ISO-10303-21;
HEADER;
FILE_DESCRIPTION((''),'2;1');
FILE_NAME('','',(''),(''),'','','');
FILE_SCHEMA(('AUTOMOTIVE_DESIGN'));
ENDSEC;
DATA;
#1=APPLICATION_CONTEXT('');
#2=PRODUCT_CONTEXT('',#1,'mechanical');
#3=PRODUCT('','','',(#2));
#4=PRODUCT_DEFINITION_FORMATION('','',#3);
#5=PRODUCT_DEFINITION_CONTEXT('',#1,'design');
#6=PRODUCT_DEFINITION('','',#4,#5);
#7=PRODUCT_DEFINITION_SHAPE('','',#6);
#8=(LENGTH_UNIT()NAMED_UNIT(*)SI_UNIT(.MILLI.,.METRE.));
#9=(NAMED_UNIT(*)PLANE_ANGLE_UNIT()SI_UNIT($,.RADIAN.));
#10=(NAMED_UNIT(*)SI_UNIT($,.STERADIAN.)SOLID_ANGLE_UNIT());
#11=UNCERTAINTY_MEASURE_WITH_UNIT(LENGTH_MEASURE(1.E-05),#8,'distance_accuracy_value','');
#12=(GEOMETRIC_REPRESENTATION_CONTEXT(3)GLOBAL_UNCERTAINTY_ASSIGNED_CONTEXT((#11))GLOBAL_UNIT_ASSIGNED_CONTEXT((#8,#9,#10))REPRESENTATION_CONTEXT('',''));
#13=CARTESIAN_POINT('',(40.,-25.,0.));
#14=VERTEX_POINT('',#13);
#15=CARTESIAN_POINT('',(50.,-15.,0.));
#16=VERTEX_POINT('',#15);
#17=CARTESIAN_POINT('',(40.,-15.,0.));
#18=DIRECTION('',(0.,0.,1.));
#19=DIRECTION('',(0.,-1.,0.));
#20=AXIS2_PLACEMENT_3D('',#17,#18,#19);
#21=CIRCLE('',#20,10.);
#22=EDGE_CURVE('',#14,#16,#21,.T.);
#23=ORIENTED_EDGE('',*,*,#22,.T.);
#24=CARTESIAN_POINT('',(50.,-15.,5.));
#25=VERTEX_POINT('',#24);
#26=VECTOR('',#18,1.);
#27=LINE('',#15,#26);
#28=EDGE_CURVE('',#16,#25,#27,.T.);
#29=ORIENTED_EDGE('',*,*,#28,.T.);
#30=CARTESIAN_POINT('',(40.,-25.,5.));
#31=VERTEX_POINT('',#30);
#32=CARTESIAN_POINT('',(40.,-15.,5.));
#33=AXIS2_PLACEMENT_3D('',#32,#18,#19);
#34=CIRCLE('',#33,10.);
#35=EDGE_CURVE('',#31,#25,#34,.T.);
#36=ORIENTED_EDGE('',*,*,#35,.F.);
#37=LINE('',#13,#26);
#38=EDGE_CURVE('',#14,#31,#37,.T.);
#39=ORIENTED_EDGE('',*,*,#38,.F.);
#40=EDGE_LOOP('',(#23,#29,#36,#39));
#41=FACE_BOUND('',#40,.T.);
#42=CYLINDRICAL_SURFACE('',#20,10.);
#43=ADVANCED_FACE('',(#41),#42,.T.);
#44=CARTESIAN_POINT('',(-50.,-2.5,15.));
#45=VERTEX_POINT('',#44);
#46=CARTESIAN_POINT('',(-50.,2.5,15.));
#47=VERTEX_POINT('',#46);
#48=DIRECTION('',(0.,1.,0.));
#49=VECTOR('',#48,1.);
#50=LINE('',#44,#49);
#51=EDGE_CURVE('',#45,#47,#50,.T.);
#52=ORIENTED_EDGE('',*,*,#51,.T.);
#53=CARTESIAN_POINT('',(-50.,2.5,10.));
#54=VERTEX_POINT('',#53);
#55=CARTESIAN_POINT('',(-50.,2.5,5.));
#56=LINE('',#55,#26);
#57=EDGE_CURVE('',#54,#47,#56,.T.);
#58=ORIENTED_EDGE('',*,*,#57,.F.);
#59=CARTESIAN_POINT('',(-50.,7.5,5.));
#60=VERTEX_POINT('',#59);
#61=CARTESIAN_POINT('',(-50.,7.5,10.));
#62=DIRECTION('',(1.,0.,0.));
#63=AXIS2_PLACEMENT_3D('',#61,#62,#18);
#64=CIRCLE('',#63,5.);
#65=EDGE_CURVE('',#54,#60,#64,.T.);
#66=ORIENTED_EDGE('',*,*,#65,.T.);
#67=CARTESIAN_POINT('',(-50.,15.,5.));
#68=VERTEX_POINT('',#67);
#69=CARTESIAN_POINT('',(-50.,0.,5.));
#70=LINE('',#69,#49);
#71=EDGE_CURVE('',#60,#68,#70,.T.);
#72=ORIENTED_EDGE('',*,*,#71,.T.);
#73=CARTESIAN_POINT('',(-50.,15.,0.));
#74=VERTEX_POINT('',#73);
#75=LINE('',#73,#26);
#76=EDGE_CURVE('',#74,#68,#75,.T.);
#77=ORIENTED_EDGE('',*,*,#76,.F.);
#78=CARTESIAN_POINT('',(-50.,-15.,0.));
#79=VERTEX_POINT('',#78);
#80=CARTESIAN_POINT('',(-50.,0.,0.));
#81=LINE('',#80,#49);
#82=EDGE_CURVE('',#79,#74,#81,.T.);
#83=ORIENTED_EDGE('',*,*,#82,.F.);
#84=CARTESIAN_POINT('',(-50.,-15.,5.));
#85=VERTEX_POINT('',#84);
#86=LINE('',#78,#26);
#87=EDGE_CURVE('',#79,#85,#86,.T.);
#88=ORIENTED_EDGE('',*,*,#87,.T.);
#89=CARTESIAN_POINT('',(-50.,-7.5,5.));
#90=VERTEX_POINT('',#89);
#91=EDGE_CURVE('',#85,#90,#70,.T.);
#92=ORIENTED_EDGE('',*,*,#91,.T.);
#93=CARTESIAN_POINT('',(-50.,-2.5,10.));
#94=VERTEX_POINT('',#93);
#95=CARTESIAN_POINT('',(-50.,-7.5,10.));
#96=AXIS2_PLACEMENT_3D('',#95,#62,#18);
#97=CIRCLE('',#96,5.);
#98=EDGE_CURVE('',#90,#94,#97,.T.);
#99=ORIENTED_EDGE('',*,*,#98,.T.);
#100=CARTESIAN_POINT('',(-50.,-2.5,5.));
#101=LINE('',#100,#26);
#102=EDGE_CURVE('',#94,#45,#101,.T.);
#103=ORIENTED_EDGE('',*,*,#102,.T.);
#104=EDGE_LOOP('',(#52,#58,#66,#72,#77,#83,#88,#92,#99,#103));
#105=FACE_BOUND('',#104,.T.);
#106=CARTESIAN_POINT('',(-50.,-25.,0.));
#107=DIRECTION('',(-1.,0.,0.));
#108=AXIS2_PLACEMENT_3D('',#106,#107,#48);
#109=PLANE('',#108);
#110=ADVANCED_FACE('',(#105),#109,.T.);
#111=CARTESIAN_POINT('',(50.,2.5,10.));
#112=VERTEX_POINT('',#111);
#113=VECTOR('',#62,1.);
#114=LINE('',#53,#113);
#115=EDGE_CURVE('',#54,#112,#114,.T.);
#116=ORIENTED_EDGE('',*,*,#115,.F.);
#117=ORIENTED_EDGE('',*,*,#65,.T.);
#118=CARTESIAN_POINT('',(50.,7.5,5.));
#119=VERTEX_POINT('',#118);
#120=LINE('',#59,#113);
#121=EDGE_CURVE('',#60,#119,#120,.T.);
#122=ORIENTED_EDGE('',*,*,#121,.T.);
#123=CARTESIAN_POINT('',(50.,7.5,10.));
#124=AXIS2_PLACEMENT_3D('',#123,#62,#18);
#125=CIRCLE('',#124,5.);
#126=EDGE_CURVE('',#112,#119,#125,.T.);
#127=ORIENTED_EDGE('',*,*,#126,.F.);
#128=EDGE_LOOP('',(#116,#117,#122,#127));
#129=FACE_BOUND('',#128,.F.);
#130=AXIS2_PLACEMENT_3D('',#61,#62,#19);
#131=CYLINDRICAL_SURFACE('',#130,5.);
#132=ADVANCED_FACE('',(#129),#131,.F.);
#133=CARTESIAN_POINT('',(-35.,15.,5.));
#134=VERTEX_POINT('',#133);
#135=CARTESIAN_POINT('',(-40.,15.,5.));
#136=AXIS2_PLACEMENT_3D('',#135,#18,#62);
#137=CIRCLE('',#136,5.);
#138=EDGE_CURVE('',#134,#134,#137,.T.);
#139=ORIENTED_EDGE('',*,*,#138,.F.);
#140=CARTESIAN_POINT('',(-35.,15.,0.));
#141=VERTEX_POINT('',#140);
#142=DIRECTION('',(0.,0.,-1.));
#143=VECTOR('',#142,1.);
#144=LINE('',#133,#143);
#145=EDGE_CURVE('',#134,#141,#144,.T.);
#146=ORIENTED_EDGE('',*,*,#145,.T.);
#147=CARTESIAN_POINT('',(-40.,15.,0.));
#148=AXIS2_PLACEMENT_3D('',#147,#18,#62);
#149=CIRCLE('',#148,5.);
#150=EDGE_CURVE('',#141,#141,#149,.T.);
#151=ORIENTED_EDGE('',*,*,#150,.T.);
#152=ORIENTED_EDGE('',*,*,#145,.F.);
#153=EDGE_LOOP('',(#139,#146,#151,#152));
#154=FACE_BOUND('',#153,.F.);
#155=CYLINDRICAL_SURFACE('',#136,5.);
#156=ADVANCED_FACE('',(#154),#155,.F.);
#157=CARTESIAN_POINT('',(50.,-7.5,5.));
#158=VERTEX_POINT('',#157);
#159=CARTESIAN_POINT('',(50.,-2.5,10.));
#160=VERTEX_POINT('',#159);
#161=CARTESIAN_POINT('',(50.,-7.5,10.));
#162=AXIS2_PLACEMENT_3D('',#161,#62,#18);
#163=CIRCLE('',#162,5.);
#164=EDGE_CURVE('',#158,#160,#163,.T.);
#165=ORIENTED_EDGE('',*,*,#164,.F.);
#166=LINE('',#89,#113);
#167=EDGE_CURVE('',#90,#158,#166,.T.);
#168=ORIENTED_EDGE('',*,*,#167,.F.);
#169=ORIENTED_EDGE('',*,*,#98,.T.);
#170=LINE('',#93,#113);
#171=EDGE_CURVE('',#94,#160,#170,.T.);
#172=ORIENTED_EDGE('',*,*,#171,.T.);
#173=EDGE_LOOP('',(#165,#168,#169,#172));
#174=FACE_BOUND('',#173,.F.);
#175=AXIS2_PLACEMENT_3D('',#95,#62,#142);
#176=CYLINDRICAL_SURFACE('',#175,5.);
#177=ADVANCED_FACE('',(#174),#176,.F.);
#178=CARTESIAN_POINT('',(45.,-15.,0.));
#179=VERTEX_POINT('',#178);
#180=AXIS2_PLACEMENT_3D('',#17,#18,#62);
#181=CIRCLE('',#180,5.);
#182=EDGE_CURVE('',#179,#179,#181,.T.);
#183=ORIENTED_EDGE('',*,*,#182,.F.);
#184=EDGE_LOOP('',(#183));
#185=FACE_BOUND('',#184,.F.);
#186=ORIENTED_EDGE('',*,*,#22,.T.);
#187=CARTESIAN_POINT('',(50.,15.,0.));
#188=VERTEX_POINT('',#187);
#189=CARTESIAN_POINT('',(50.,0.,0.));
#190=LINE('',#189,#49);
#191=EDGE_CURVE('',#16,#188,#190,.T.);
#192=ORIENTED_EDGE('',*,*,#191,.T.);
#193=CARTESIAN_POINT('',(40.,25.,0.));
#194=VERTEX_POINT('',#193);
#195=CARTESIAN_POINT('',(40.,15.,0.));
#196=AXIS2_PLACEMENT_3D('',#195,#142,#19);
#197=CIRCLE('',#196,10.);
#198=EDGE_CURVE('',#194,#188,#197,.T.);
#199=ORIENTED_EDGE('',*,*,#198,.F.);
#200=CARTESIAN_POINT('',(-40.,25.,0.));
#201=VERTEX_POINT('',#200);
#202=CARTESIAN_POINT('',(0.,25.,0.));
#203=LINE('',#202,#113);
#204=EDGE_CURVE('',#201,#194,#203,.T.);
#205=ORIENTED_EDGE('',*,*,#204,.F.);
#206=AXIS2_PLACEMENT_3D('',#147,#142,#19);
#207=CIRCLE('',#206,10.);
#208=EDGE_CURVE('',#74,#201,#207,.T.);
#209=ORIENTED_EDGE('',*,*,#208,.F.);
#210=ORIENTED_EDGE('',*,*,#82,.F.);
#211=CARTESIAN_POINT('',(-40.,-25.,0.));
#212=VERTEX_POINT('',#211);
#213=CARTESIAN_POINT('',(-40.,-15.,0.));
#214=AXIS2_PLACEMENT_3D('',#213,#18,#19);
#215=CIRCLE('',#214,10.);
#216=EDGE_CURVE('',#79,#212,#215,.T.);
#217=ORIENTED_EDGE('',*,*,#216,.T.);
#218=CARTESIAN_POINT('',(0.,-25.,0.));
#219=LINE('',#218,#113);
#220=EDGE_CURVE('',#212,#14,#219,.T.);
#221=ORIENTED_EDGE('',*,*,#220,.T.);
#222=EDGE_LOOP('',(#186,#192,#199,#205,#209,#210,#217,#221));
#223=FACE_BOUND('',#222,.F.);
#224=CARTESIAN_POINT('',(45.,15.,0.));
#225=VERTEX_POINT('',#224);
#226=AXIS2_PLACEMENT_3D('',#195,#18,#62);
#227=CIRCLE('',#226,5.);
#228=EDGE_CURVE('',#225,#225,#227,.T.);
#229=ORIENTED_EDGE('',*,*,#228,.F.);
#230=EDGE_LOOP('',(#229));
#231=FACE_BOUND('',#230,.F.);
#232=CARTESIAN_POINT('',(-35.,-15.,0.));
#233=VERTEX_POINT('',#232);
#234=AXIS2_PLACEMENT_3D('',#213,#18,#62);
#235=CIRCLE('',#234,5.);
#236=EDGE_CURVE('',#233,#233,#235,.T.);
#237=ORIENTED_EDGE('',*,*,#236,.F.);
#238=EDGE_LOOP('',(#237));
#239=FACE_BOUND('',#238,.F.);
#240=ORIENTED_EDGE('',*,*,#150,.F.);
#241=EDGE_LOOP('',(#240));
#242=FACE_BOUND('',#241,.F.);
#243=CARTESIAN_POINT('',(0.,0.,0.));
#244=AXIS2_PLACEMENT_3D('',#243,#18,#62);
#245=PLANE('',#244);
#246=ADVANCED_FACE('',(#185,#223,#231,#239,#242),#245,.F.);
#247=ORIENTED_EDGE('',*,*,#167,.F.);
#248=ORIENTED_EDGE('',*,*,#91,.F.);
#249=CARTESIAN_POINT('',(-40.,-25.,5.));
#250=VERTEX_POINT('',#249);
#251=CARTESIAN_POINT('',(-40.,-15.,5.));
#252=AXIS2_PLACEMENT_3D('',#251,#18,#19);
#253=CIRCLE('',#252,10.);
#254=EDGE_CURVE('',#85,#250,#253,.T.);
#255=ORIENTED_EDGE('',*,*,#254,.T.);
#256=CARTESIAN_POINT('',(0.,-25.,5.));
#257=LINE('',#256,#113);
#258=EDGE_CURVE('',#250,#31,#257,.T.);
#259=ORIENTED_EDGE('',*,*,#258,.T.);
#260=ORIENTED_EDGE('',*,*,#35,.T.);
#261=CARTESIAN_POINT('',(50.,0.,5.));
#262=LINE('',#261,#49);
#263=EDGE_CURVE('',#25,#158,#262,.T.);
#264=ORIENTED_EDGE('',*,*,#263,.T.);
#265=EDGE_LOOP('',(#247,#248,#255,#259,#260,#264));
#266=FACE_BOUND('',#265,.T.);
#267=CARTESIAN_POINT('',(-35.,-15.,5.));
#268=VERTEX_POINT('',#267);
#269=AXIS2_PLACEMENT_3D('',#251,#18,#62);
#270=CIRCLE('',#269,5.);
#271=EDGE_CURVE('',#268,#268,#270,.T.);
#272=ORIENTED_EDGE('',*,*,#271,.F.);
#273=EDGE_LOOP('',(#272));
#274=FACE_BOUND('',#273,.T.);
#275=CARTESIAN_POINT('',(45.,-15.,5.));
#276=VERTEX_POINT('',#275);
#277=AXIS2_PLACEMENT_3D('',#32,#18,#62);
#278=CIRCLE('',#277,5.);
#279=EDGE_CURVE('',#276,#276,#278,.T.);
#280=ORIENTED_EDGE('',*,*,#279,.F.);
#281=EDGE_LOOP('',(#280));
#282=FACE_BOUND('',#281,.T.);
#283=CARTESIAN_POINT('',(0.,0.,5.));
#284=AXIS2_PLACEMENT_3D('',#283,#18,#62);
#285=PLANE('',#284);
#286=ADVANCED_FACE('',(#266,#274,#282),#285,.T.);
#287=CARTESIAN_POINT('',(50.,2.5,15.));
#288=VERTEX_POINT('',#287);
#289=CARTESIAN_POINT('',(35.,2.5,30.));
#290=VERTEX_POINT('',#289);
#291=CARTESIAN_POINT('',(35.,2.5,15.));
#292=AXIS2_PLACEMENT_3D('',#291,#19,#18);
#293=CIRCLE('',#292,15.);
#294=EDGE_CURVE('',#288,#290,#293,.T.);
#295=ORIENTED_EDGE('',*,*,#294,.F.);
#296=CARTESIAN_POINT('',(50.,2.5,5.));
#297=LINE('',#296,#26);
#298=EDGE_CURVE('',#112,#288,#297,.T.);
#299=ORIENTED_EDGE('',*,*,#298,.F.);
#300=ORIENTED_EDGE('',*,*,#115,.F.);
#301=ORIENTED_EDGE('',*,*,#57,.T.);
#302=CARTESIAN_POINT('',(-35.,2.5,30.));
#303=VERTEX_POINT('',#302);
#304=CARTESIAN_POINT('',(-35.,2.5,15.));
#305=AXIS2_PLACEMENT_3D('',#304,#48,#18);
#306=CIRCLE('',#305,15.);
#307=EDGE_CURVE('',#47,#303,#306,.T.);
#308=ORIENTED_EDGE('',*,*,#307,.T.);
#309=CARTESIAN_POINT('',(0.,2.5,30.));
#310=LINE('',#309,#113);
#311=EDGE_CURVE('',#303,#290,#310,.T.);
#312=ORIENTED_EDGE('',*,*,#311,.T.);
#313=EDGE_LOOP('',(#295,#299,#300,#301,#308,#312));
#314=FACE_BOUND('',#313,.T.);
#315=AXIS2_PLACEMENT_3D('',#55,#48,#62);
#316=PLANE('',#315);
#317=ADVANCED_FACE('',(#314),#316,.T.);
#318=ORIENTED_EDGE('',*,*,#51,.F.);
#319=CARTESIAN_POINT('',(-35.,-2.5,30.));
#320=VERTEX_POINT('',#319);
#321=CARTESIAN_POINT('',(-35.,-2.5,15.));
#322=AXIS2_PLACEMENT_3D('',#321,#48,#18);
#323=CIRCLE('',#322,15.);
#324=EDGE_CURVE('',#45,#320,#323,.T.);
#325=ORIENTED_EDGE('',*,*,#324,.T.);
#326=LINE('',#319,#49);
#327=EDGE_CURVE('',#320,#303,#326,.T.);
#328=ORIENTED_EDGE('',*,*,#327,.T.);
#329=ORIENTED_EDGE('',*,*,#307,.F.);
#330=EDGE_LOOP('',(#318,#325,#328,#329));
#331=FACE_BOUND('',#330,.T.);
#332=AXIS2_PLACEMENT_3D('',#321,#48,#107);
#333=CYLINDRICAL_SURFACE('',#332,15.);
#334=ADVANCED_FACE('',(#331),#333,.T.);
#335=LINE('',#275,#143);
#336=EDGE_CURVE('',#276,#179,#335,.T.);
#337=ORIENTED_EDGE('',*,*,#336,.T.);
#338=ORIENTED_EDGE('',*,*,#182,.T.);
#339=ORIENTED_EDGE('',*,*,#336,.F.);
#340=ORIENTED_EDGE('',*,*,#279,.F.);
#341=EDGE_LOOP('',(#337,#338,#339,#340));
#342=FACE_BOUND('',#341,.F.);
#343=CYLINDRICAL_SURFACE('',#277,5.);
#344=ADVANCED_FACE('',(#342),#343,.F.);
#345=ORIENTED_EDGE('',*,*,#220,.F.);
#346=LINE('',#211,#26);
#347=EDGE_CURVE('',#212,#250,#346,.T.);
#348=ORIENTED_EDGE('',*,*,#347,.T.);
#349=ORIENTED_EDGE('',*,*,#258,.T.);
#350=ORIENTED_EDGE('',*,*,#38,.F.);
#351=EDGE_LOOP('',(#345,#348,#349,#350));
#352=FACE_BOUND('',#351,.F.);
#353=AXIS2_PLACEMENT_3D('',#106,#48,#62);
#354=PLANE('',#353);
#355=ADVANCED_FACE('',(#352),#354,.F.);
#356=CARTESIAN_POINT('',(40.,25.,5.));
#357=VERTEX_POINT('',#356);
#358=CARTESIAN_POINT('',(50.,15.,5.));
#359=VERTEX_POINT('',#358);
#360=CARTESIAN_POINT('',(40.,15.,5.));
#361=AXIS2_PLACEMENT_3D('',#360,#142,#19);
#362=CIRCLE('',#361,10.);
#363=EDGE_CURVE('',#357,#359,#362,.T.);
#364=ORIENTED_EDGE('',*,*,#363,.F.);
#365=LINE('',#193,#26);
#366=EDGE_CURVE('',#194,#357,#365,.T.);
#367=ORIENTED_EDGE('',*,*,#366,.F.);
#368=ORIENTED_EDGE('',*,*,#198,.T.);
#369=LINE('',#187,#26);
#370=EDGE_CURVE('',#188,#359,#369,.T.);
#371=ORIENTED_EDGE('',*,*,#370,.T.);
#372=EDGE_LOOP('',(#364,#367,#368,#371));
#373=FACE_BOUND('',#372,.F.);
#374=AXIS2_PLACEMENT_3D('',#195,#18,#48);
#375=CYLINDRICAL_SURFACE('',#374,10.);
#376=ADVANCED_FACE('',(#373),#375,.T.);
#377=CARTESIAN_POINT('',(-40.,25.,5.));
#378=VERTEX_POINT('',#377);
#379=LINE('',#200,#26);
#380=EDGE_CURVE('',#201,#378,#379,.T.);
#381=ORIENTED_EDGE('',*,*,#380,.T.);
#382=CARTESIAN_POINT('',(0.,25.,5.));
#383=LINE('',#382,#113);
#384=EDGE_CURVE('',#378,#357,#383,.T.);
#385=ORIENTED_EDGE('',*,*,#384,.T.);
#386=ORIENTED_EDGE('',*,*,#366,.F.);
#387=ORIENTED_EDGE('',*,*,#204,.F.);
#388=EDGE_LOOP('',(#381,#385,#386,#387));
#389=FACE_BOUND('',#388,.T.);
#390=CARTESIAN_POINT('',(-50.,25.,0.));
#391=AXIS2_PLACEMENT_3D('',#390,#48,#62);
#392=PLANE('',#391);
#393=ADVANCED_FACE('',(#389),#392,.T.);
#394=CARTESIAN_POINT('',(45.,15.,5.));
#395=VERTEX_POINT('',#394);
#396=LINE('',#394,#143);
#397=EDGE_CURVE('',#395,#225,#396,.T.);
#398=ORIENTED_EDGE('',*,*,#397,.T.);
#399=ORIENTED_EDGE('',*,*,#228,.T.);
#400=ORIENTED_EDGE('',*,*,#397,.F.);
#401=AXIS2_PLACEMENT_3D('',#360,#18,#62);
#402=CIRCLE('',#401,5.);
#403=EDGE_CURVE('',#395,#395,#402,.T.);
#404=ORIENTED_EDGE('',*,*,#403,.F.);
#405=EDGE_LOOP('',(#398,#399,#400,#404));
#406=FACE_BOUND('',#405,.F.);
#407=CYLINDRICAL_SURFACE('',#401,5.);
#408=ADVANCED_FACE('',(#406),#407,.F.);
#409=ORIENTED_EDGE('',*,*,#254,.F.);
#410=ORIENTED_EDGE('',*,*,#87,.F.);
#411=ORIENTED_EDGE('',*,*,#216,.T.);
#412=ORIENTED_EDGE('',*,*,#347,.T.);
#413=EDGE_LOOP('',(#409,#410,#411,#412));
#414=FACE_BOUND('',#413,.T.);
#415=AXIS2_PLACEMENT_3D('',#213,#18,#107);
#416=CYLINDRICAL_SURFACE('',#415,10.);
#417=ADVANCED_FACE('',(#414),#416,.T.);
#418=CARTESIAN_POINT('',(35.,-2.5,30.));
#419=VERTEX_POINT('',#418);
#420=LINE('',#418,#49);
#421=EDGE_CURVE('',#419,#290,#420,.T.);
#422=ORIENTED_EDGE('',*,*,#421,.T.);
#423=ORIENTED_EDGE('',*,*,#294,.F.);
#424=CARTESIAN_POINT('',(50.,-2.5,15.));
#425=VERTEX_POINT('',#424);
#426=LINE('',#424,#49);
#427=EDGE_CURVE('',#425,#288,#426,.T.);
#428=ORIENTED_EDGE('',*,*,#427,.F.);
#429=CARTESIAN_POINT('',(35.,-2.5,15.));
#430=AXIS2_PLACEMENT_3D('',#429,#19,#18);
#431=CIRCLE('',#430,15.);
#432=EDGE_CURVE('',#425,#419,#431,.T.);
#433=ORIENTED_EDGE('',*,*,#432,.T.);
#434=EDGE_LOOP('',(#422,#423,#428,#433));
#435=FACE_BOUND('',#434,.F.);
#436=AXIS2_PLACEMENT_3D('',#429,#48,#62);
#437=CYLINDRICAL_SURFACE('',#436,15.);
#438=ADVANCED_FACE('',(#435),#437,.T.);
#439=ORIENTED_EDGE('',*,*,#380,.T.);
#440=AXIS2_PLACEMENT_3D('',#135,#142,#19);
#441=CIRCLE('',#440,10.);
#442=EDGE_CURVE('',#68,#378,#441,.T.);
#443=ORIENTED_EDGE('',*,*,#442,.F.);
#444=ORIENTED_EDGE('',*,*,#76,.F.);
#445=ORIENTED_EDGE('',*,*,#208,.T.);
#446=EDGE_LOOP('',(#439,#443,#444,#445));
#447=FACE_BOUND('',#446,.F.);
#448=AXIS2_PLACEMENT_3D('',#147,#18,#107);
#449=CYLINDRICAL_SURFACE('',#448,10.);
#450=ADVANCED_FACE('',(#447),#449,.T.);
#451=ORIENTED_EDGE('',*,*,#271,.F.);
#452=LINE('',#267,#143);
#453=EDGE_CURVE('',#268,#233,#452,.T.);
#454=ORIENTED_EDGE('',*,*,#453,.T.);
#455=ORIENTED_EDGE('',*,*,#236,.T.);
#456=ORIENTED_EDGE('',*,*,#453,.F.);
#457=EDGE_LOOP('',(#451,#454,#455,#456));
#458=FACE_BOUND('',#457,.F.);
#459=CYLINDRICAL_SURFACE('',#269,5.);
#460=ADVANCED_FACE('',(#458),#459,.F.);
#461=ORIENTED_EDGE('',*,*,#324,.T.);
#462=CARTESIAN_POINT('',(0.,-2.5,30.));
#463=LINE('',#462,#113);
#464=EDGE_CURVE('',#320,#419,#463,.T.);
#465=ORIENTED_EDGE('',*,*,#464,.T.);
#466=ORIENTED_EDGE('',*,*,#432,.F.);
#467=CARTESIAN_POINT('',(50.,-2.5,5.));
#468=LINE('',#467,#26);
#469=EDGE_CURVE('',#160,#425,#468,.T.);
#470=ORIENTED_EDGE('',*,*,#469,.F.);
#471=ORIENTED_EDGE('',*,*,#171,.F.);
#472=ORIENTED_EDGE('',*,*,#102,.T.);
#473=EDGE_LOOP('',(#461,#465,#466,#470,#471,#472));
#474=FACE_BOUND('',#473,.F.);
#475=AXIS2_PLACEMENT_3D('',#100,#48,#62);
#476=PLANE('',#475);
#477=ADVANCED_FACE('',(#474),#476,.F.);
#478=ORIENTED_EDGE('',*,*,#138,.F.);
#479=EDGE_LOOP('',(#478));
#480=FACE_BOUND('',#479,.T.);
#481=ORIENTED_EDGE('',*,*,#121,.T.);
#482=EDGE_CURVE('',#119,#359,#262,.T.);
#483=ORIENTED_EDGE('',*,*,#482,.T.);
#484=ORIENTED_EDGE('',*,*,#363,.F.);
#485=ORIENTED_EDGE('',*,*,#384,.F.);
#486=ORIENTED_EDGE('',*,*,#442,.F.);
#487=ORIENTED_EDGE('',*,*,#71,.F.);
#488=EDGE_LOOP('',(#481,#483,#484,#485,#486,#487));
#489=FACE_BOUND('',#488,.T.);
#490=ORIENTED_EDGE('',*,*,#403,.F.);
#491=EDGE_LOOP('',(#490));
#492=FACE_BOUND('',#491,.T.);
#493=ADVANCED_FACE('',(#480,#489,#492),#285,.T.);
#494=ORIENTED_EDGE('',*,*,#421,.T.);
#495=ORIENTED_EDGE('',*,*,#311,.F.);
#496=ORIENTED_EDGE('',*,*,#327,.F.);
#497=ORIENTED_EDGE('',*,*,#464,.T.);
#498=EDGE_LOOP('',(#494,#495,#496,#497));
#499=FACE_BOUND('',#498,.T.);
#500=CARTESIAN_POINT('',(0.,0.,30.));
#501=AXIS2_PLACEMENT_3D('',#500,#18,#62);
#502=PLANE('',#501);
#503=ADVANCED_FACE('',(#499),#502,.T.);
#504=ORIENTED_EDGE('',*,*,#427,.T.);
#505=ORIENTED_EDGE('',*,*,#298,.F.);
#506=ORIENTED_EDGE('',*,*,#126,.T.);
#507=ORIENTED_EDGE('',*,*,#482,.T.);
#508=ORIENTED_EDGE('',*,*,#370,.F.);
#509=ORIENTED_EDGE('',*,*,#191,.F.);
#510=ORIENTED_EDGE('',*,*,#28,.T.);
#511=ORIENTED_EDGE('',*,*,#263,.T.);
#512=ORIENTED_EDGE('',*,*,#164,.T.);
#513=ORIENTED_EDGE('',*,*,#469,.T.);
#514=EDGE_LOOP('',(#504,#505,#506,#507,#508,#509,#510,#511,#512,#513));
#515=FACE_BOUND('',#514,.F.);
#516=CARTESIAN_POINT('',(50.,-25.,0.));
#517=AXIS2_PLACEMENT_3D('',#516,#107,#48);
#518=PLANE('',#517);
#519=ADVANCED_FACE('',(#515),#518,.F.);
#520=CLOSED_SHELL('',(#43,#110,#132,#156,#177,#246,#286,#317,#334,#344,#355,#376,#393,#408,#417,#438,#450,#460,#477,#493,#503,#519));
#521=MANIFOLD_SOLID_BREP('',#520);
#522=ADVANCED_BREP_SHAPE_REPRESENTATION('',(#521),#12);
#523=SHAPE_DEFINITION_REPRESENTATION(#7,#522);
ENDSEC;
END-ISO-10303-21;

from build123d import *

# Parameters (mm, degrees)
SKETCH_W     = 100
SKETCH_H     = 50
PAD_DEPTH    = 5
SKETCH001_R  = 5
POCKET_DEPTH = 5
SKETCH002_W  = 100
SKETCH002_H  = 5
PAD001_DEPTH = 25
FILLET_R     = 15
FILLET001_R  = 10
FILLET002_R  = 5


with BuildPart() as part:
    # Sketch → Pad (new body)
    with BuildSketch(Plane.XY):
        Rectangle(SKETCH_W, SKETCH_H)
    extrude(amount=PAD_DEPTH)

    # Sketch001 (on Face6 of Pad) → Pocket (cut)
    with BuildSketch(Plane.XY.offset(5)):
        with Locations((-40, 15)):
            Circle(SKETCH001_R)
        with Locations((40, 15)):
            Circle(SKETCH001_R)
        with Locations((40, -15)):
            Circle(SKETCH001_R)
        with Locations((-40, -15)):
            Circle(SKETCH001_R)
    extrude(amount=-POCKET_DEPTH, mode=Mode.SUBTRACT)

    # Sketch002 (on Face5 of Pocket) → Pad001 (join)
    with BuildSketch(Plane.XY.offset(5)):
        Rectangle(SKETCH002_W, SKETCH002_H)
    extrude(amount=PAD001_DEPTH)

    # Fillet
    fillet_edges = [part.edges().sort_by_distance(p)[0] for p in [
        (50, 0, 30),
        (-50, 0, 30),
    ]]
    fillet(fillet_edges, radius=FILLET_R)

    # Fillet001
    fillet001_edges = [part.edges().sort_by_distance(p)[0] for p in [
        (50, 25, 2.5),
        (-50, -25, 2.5),
        (-50, 25, 2.5),
        (50, -25, 2.5),
    ]]
    fillet(fillet001_edges, radius=FILLET001_R)

    # Fillet002
    fillet002_edges = [part.edges().sort_by_distance(p)[0] for p in [
        (0, -2.5, 5),
        (0, 2.5, 5),
    ]]
    fillet(fillet002_edges, radius=FILLET002_R)


solid = part.part
